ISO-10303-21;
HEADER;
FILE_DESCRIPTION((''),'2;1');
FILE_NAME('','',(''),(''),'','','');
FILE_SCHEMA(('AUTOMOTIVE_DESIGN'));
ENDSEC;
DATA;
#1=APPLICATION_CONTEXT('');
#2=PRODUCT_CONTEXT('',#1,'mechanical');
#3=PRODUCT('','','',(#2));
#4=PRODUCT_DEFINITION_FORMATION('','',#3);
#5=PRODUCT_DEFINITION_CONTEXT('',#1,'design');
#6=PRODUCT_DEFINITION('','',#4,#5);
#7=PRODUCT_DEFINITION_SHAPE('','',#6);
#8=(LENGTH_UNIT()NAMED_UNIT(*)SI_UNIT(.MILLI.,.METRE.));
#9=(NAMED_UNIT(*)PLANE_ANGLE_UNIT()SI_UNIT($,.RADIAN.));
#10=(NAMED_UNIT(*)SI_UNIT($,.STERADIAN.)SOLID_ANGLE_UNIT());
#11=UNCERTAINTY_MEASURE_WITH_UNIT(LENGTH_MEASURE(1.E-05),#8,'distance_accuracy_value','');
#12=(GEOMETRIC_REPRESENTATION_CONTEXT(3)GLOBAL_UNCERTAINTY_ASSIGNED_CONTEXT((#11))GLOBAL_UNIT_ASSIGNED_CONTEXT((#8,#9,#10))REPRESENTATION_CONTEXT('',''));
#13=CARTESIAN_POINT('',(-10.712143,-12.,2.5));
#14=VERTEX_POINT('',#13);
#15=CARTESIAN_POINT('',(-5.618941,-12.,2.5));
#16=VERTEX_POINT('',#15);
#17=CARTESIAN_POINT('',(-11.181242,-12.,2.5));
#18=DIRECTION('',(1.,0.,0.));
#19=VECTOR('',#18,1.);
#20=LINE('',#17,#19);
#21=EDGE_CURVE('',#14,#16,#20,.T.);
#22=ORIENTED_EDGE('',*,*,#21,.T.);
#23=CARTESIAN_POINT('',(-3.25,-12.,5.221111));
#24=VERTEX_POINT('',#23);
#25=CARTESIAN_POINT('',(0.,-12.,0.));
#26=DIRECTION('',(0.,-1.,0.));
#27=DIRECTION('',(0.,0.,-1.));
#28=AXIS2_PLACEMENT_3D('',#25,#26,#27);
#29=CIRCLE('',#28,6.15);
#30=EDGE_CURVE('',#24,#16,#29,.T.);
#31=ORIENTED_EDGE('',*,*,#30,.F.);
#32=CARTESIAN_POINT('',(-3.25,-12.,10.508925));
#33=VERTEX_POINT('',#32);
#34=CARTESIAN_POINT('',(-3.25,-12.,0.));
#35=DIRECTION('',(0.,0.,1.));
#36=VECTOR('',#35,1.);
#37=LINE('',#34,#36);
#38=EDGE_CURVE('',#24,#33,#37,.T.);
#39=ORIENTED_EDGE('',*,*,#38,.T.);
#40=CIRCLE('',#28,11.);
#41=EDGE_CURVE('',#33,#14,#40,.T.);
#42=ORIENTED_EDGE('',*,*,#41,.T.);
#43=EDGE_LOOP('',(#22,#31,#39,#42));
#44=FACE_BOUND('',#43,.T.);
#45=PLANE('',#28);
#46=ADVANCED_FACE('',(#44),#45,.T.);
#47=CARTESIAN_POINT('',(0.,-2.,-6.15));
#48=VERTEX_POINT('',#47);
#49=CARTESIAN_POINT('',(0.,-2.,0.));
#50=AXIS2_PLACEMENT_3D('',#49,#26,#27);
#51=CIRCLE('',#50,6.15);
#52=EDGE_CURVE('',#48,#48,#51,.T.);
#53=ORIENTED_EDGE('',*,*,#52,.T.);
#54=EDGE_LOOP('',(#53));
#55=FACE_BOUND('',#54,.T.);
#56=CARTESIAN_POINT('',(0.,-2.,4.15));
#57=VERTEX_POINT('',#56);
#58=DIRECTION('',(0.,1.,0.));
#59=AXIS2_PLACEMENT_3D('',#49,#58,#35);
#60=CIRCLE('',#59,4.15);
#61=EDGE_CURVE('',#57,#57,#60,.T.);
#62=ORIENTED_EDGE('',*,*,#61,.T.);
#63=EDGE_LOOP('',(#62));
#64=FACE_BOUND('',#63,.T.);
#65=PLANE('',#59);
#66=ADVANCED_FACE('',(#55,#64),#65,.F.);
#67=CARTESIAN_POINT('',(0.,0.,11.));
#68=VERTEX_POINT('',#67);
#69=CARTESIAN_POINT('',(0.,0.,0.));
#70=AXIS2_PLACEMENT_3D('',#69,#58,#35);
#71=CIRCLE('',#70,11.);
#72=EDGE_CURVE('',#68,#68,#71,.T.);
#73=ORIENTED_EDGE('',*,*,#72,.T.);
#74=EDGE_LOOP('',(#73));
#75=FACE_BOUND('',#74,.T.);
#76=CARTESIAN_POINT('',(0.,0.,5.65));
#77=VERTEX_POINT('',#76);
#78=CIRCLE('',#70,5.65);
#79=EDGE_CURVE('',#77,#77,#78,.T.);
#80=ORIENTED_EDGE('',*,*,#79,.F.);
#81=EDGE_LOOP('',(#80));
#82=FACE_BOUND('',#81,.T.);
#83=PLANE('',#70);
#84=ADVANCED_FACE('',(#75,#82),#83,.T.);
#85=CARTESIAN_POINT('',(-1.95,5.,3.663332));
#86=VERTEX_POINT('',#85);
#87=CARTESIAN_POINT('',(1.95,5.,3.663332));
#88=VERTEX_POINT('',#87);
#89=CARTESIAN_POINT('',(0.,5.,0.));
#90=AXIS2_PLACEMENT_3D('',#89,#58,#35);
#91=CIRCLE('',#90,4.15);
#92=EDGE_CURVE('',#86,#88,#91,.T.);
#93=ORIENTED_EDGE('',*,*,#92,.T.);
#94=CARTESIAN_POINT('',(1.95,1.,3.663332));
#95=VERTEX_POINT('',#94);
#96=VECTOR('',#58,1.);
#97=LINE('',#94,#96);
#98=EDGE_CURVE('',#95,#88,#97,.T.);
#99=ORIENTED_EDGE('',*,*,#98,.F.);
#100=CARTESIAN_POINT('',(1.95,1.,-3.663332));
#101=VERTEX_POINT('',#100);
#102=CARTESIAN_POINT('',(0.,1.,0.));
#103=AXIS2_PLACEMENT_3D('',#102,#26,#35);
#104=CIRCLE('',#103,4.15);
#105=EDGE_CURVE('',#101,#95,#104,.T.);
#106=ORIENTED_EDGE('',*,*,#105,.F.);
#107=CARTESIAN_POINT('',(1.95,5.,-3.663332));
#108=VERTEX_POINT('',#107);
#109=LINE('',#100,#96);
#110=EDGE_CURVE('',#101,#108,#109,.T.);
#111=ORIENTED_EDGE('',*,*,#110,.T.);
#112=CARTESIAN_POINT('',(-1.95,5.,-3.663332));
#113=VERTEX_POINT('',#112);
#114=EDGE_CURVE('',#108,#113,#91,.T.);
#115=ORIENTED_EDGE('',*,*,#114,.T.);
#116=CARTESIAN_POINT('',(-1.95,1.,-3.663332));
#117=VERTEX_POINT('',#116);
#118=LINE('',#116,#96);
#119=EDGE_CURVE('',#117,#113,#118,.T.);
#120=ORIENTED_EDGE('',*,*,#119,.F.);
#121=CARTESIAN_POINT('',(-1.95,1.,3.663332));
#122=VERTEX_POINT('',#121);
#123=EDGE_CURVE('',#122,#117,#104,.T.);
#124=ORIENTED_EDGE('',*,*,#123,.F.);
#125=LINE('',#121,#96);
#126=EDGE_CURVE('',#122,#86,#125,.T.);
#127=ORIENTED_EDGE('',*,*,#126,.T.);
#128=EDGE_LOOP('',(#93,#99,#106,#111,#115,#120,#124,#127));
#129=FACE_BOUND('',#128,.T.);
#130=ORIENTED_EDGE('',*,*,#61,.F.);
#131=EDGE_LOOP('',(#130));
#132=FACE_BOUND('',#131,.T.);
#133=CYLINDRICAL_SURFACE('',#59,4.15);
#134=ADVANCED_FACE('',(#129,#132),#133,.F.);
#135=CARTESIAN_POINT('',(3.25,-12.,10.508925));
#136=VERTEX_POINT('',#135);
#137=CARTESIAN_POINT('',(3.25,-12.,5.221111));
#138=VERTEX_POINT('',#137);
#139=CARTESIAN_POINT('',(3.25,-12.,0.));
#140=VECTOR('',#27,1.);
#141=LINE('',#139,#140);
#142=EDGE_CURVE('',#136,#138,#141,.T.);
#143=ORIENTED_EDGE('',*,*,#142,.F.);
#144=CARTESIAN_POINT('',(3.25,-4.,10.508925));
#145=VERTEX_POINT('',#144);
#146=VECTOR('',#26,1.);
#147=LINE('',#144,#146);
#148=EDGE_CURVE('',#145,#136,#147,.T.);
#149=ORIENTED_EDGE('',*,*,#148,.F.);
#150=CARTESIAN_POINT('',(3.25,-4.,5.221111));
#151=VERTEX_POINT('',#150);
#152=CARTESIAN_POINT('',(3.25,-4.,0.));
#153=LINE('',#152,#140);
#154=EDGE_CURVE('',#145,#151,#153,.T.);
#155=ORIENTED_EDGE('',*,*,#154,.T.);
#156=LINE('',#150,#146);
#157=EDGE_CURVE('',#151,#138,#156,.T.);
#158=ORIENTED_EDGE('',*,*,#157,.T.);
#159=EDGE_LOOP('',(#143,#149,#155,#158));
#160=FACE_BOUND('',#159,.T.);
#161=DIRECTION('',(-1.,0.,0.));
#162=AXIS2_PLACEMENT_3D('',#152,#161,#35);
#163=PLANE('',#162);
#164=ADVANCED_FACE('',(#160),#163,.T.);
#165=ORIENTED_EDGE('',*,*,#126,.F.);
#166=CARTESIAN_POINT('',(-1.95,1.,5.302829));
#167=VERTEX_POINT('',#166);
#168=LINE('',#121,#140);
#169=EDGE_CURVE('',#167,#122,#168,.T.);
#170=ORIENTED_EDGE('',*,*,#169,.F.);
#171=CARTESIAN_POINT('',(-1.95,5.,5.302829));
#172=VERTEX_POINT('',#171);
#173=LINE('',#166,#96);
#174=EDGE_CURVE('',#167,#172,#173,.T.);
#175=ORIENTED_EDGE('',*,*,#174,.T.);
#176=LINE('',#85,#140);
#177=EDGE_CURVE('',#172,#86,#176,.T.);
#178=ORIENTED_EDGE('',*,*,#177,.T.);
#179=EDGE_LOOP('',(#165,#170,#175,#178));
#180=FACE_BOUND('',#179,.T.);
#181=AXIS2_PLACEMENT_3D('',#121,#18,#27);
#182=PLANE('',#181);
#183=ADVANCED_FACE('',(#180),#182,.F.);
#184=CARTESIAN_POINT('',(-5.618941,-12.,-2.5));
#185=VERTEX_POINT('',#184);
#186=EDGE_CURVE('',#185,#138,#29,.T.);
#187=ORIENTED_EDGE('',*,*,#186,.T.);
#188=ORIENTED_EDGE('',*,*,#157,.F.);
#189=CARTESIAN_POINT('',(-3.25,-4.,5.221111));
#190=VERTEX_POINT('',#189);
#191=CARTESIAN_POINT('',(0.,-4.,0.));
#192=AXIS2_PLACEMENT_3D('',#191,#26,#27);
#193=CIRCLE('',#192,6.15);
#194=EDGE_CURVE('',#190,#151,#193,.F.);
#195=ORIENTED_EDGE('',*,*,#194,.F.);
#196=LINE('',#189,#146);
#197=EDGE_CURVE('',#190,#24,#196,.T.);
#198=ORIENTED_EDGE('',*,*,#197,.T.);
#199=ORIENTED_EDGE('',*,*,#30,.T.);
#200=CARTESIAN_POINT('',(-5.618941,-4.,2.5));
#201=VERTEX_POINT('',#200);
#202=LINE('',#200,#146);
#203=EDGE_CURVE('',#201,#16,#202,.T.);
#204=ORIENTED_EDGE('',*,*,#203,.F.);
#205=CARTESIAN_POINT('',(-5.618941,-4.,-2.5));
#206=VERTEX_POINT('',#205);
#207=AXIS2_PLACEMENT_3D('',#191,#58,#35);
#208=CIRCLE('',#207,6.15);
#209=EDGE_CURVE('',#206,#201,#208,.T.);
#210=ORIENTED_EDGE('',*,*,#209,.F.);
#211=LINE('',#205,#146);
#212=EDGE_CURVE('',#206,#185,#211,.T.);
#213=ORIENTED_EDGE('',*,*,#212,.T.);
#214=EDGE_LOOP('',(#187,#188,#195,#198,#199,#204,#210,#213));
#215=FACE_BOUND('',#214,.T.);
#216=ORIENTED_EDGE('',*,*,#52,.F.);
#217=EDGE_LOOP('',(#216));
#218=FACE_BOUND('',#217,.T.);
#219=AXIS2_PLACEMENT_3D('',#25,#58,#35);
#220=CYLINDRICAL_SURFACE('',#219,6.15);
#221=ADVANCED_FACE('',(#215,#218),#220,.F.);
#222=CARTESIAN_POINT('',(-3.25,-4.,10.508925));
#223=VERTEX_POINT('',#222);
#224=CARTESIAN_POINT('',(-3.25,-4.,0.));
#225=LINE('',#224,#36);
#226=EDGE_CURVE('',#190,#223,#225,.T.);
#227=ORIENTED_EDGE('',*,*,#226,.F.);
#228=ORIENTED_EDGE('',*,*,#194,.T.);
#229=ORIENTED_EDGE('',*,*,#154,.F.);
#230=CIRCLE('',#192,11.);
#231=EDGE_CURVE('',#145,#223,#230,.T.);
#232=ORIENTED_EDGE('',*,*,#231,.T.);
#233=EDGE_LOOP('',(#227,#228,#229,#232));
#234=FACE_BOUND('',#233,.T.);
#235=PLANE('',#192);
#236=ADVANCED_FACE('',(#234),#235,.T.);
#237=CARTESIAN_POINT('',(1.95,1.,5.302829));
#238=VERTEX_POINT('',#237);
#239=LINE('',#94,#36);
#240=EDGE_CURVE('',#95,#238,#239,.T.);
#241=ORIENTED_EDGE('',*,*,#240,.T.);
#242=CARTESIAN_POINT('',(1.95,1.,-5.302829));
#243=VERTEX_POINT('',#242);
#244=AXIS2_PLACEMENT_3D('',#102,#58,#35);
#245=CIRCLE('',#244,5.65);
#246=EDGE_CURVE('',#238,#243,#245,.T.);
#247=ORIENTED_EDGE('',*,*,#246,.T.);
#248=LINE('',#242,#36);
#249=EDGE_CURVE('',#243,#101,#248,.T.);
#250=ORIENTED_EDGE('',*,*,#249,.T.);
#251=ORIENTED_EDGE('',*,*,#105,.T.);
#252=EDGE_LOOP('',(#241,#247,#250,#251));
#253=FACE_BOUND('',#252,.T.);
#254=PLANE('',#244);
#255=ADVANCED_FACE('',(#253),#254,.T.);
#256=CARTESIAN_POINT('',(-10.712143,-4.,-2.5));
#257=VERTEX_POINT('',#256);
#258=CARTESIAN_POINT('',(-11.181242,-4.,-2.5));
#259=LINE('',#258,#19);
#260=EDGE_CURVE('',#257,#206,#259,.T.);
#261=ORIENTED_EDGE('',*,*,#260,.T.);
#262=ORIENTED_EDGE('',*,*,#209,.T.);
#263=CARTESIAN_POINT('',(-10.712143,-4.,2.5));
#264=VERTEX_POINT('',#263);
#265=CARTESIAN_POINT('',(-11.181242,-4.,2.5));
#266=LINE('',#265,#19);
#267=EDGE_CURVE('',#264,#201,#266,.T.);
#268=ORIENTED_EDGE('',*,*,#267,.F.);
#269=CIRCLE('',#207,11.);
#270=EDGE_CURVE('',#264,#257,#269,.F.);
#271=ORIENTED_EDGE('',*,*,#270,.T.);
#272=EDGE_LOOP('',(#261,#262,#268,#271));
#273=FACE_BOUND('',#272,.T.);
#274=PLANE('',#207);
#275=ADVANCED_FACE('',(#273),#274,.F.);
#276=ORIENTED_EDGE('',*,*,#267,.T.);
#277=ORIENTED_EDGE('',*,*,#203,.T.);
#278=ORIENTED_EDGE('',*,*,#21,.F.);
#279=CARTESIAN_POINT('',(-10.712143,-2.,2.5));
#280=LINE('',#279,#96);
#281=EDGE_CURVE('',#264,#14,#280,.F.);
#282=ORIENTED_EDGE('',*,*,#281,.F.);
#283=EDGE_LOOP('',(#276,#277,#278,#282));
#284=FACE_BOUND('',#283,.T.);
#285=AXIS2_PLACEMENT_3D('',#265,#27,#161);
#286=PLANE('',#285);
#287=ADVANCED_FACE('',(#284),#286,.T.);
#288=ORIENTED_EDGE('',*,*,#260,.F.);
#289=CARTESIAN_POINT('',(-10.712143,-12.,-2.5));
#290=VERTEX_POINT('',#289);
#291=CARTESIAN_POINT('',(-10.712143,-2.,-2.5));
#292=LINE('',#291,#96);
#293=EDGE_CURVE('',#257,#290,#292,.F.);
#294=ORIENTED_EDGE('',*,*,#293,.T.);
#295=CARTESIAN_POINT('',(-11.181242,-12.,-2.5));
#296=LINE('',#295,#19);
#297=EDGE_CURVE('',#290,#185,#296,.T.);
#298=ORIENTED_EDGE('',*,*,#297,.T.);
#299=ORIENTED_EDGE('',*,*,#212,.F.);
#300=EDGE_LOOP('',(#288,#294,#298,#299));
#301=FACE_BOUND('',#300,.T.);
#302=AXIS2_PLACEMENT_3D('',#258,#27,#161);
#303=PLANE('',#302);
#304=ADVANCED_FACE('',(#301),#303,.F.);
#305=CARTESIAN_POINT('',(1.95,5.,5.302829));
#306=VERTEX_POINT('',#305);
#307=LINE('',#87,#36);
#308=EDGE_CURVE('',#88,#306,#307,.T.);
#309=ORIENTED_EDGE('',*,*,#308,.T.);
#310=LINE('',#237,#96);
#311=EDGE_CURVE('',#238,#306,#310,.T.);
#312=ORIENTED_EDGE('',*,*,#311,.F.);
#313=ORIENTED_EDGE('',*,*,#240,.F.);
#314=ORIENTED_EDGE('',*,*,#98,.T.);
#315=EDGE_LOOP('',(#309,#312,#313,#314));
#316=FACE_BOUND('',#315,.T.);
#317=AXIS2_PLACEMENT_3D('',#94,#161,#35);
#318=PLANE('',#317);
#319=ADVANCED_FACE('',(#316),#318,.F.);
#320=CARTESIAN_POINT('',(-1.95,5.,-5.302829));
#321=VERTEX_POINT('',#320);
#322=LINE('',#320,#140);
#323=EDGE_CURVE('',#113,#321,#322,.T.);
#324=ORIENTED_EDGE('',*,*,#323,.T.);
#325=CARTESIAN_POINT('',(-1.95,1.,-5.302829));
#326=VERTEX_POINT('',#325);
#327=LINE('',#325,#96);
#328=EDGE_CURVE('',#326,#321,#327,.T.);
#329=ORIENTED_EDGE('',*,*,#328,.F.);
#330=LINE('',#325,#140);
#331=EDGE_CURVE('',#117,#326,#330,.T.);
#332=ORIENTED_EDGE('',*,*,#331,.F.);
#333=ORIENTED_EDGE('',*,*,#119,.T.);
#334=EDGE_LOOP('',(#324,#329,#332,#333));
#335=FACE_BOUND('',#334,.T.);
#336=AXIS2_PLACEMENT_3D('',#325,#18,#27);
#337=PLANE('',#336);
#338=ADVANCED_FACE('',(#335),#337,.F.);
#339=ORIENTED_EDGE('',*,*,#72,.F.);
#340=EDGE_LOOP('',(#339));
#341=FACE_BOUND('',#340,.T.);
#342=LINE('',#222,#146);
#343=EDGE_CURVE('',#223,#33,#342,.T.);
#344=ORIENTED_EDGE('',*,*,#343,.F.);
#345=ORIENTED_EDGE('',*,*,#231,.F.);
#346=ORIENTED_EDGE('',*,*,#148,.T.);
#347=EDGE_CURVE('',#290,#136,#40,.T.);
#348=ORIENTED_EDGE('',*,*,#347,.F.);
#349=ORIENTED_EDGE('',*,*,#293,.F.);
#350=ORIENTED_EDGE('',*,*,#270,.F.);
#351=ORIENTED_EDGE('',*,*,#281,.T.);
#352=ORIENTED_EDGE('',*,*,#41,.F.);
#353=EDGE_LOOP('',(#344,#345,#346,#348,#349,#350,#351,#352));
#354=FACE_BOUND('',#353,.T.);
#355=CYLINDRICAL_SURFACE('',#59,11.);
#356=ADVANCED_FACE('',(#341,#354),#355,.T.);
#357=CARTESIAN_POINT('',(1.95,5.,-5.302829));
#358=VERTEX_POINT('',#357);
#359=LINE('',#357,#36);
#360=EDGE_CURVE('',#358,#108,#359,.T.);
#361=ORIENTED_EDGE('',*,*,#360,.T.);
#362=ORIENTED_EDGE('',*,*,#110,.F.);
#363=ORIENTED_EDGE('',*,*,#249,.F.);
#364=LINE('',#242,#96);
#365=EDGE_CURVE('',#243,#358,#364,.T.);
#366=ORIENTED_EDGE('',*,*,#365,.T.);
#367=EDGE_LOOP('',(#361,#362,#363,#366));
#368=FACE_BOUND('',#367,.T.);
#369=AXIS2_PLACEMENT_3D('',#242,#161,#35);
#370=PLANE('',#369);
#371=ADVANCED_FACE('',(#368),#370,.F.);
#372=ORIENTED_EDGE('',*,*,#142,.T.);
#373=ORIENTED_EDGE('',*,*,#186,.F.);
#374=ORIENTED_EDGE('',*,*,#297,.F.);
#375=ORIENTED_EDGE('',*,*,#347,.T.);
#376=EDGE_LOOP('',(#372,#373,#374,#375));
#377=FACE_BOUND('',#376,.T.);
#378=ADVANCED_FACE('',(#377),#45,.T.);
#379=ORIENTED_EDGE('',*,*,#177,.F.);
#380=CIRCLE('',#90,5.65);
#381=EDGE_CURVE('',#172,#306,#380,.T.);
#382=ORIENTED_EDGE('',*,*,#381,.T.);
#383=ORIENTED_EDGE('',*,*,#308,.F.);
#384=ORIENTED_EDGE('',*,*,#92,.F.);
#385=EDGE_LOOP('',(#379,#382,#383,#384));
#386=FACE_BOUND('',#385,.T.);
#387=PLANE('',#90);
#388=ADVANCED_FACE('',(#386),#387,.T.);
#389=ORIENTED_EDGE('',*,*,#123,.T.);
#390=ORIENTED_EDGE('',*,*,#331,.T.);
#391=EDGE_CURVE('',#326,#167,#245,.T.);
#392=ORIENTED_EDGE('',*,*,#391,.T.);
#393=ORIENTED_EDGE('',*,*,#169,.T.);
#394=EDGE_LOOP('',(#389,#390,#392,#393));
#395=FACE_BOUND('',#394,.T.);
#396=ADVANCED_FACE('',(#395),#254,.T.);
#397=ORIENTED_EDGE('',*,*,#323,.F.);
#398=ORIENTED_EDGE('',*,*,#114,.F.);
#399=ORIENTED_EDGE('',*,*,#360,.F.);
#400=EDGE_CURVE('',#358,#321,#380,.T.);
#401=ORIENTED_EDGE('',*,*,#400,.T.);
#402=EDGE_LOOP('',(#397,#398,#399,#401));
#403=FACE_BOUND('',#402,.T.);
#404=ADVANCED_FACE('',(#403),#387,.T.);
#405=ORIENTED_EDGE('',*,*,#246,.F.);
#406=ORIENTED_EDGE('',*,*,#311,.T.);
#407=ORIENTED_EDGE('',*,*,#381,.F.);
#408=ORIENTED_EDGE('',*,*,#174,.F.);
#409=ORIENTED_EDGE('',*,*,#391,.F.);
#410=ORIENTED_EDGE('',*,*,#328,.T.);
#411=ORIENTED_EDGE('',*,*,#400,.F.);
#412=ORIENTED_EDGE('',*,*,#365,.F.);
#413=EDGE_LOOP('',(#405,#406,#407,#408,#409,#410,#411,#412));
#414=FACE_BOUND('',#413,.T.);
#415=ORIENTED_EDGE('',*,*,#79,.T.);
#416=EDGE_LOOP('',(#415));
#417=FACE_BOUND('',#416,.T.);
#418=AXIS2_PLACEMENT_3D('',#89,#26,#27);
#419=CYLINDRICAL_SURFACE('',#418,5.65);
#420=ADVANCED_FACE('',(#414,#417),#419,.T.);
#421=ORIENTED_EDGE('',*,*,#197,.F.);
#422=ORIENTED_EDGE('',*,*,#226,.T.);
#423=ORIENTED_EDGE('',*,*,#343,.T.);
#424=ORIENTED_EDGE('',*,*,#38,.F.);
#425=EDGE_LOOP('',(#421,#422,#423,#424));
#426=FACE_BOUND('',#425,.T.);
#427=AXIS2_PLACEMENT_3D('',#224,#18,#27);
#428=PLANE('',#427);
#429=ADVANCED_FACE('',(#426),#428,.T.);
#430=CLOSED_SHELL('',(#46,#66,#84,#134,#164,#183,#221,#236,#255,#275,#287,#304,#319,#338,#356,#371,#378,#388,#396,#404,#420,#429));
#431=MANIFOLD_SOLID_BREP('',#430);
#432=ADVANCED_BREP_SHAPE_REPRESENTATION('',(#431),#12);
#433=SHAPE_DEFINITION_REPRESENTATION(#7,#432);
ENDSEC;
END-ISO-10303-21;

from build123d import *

# Parameters (mm, degrees)
SKETCH_1_R          = 11
SKETCH_1_R_2        = 4.15
EXTRUDE_1_DEPTH     = 2
EXTRUDE_START       = 5
SKETCH_1_3_R        = 5.65
SKETCH_1_3_R_2      = 4.15
EXTRUDE_2_DEPTH     = 5
CUT_EXTRUDE_1_DEPTH = 4
SKETCH_4_R          = 11
SKETCH_4_R_2        = 6.15
EXTRUDE_3_DEPTH     = 10
CUT_EXTRUDE_START   = -8
SKETCH_5_W          = 5.562300803
SKETCH_5_H          = 5
CUT_EXTRUDE_2_DEPTH = 8


with BuildPart() as part:
    # 草图1 → 凸台-拉伸1 (new body)
    with BuildSketch(Plane(origin=(0, 0, 0), x_dir=(1, 0, 0), z_dir=(0, 1, 0))):
        Circle(SKETCH_1_R)
        Circle(SKETCH_1_R_2, mode=Mode.SUBTRACT)
    extrude(amount=-EXTRUDE_1_DEPTH)

    # 草图1<3> → 凸台-拉伸2 (add)
    with BuildSketch(Plane(origin=(0, 0, 0), x_dir=(1, 0, 0), z_dir=(0, 1, 0)).offset(EXTRUDE_START)):
        Circle(SKETCH_1_3_R)
        Circle(SKETCH_1_3_R_2, mode=Mode.SUBTRACT)
    extrude(amount=-EXTRUDE_2_DEPTH)

    # 草图2 → 切除-拉伸1 (cut)
    with BuildSketch(Plane(origin=(0, 5, 0), x_dir=(1, 0, 0), z_dir=(0, 1, 0))):
        with BuildLine():
            Line((1.95, 5.302829433), (1.95, 3.663331817))
            ThreePointArc((1.95, 3.663331817), (4.15, 0), (1.95, -3.663331817))
            Line((1.95, -3.663331817), (1.95, -5.302829433))
            ThreePointArc((1.95, -5.302829433), (5.65, 0), (1.95, 5.302829433))
        make_face()
        with BuildLine():
            Line((-1.95, 5.302829433), (-1.95, 3.663331817))
            ThreePointArc((-1.95, 3.663331817), (-4.15, 0), (-1.95, -3.663331817))
            Line((-1.95, -3.663331817), (-1.95, -5.302829433))
            ThreePointArc((-1.95, -5.302829433), (-5.65, 0), (-1.95, 5.302829433))
        make_face()
    extrude(amount=-CUT_EXTRUDE_1_DEPTH, mode=Mode.SUBTRACT)

    # 草图4 → 凸台-拉伸3 (add)
    with BuildSketch(Plane.XZ.offset(2)):
        Circle(SKETCH_4_R)
        Circle(SKETCH_4_R_2, mode=Mode.SUBTRACT)
    extrude(amount=EXTRUDE_3_DEPTH)

    # 草图5 → 切除-拉伸2 (cut)
    with BuildSketch(Plane.XZ.offset(12).offset(CUT_EXTRUDE_START)):
        with Locations((-8.400091582, 0)):
            Rectangle(SKETCH_5_W, SKETCH_5_H)
        with BuildLine():
            ThreePointArc((3.25, 10.508924778), (0, 11), (-3.25, 10.508924778))
            Line((-3.25, 10.508924778), (-3.25, 5.221110993))
            ThreePointArc((-3.25, 5.221110993), (0, 6.15), (3.25, 5.221110993))
            Line((3.25, 5.221110993), (3.25, 10.508924778))
        make_face()
    extrude(amount=CUT_EXTRUDE_2_DEPTH, mode=Mode.SUBTRACT)


solid = part.part
